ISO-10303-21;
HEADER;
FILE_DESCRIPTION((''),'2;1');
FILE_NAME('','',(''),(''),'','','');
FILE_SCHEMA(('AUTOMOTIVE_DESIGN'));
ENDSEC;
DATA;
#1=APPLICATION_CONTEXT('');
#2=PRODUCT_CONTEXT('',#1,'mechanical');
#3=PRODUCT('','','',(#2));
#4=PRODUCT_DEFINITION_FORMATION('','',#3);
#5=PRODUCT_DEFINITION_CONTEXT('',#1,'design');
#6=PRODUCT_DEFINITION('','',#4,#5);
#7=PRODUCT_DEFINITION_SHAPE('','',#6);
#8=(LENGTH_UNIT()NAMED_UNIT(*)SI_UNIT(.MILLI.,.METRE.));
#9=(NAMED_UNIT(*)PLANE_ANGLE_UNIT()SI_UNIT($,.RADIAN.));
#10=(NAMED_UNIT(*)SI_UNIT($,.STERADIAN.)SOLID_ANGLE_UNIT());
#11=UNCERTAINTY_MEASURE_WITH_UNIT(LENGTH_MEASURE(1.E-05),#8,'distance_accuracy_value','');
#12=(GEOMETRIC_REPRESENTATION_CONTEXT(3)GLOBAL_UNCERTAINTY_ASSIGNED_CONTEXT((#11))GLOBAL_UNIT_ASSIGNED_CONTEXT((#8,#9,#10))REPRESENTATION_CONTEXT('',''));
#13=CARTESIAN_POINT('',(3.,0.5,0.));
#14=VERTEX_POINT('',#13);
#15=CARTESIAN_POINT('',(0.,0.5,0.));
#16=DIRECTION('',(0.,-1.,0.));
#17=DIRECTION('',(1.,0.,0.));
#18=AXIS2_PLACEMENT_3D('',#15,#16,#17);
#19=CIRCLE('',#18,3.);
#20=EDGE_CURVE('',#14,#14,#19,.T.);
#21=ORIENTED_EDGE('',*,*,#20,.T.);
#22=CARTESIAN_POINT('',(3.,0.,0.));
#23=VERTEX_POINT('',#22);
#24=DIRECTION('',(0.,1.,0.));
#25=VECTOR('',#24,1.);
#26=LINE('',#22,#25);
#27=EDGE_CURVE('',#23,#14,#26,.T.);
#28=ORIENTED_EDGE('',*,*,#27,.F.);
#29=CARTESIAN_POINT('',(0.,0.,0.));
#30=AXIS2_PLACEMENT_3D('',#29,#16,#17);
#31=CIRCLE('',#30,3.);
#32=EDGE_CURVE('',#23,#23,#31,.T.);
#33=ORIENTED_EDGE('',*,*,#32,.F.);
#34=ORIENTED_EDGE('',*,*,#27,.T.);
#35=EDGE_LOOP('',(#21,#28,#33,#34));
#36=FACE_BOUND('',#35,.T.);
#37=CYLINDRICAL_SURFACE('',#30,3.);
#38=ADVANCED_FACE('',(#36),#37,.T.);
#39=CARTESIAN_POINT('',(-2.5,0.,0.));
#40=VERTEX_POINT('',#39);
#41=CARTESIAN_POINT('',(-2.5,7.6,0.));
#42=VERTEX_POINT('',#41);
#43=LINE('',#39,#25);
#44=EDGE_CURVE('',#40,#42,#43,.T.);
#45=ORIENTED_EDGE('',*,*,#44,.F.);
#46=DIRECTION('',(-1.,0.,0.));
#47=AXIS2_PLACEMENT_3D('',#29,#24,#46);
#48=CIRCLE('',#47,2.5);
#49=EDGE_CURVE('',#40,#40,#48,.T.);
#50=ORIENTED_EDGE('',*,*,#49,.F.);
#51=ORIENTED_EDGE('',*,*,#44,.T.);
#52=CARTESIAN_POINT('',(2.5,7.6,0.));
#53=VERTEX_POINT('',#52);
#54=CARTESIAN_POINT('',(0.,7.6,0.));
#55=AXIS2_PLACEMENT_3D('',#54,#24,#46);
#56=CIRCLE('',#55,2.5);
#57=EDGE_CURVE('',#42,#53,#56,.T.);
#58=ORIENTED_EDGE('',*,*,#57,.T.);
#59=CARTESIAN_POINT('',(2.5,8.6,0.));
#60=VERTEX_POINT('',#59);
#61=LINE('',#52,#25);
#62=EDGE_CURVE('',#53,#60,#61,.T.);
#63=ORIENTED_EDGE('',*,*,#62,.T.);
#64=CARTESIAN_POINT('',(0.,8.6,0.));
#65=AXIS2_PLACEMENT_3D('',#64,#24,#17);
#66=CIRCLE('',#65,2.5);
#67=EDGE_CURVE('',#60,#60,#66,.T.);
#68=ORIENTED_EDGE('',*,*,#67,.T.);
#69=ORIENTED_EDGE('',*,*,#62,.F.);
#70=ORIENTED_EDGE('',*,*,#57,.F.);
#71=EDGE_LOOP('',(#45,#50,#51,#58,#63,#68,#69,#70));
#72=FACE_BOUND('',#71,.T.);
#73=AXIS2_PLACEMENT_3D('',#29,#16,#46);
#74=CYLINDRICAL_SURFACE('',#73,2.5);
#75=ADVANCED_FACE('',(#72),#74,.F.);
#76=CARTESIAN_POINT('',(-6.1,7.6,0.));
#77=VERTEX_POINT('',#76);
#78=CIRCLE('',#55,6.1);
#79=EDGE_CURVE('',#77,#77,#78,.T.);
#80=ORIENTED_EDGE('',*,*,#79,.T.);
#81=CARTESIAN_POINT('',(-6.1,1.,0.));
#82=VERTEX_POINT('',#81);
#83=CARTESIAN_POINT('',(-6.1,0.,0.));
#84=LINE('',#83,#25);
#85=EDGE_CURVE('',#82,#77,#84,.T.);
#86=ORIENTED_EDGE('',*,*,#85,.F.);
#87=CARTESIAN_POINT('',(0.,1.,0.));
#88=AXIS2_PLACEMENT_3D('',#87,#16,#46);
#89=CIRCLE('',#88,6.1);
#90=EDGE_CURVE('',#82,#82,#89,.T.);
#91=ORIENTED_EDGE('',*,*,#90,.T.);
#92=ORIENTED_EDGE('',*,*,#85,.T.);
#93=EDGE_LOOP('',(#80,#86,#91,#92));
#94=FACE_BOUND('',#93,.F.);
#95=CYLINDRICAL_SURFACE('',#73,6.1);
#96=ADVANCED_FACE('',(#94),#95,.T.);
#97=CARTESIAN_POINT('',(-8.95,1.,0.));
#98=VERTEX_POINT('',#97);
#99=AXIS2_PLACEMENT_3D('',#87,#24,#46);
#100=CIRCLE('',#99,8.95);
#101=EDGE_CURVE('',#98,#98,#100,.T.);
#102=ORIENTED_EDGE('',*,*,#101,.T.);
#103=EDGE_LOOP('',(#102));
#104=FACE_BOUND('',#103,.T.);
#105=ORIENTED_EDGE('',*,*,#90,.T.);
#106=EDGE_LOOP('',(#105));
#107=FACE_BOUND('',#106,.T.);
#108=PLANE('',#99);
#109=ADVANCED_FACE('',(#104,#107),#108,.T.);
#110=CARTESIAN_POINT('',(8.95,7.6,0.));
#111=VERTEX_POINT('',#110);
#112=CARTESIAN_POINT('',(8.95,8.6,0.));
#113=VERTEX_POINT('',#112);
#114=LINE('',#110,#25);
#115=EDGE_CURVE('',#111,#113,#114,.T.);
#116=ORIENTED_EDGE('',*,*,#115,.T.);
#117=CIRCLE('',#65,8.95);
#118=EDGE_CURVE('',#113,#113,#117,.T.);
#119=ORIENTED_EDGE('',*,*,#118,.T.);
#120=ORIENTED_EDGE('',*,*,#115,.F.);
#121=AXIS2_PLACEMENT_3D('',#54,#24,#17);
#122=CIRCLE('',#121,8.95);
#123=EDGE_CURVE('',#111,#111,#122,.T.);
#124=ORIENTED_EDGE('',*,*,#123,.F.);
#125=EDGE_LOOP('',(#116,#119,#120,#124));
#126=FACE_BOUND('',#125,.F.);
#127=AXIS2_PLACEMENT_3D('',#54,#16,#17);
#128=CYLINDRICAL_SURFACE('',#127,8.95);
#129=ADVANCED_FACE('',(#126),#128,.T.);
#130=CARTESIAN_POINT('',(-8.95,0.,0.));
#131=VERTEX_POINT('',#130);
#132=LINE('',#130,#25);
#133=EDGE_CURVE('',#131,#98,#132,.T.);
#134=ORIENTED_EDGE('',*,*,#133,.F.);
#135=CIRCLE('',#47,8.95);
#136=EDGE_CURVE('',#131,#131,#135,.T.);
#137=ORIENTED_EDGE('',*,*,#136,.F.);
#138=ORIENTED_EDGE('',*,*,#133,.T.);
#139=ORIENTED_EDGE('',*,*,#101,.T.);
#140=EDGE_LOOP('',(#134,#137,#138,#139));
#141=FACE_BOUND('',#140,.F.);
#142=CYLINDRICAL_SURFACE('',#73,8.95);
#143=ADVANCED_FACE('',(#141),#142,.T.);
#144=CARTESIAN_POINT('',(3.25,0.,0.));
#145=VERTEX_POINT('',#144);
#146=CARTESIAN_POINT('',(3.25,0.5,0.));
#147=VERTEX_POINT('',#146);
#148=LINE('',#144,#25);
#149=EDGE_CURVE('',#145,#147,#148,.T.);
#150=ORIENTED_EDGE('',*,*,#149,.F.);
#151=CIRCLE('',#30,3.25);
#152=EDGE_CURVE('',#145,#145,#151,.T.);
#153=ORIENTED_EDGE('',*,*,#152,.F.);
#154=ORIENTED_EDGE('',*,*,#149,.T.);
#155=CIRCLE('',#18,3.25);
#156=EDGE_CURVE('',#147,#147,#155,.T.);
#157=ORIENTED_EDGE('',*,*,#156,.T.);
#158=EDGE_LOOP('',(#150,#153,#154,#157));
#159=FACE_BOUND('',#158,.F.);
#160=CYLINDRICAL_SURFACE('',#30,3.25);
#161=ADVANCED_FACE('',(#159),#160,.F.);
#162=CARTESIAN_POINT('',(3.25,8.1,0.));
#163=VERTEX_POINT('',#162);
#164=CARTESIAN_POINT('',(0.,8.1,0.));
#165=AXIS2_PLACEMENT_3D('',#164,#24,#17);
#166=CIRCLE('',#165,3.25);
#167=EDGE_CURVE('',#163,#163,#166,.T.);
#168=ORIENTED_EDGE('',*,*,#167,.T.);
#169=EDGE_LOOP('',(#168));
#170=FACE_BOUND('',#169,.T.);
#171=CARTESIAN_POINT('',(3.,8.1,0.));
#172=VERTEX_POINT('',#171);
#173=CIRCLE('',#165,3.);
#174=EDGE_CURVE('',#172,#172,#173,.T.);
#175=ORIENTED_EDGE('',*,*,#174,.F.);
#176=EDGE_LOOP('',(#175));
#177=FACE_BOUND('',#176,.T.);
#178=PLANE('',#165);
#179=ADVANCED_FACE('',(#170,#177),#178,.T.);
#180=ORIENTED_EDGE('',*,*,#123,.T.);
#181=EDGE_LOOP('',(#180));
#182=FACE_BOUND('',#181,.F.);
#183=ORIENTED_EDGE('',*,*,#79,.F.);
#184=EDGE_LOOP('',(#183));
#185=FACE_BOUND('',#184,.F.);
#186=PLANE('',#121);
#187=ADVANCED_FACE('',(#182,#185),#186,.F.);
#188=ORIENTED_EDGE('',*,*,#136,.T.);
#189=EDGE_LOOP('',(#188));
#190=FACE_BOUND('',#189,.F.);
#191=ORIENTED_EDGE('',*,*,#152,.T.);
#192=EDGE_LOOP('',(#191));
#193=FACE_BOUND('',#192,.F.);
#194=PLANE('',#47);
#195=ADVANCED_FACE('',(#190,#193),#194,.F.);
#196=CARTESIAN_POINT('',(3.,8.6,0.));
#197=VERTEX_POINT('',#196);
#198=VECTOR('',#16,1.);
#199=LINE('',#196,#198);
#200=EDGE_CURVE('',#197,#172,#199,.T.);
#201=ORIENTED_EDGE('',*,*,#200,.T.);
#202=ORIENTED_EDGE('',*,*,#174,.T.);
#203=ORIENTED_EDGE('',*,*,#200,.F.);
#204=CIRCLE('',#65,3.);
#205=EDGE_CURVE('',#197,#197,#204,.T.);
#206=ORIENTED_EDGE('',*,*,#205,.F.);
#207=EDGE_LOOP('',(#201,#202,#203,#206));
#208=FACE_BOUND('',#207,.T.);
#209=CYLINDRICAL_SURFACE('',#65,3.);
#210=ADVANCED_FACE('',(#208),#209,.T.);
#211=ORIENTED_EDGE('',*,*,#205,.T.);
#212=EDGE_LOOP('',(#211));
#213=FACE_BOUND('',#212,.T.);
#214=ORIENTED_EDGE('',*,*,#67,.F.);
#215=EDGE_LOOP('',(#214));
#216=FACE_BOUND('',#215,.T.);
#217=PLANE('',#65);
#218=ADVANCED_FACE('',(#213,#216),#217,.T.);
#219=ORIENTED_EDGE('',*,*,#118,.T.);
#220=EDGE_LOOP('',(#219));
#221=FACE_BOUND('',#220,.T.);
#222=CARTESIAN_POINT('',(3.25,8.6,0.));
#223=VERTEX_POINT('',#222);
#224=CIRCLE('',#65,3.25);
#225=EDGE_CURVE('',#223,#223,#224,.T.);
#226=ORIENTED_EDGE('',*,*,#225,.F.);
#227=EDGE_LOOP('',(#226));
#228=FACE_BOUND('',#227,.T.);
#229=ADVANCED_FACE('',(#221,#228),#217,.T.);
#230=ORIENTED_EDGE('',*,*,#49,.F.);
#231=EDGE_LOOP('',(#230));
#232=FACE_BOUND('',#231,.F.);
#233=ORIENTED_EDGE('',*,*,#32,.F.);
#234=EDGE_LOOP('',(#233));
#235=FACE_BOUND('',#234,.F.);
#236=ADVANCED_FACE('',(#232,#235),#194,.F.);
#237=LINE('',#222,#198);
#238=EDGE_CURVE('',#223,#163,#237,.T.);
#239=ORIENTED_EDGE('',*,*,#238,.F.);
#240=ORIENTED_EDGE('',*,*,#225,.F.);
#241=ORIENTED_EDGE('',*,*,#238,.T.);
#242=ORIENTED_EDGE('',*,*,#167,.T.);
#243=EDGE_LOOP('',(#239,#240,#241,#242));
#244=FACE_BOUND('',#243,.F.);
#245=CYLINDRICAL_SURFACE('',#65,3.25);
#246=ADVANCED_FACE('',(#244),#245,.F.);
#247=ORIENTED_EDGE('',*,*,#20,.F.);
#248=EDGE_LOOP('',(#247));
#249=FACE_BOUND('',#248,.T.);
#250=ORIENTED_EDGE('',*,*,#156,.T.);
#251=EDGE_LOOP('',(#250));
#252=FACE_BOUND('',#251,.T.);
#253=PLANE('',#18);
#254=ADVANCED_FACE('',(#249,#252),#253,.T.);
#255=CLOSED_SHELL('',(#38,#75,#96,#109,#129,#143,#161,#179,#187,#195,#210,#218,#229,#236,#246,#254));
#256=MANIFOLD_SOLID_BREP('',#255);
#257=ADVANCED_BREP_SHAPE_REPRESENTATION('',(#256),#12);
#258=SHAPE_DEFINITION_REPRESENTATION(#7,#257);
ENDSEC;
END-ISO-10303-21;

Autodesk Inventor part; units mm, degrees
ref_plane "YZ Plane" through (0, 0, 0) normal (1, 0, 0) x (0, 1, 0)
ref_plane "XZ Plane" through (0, 0, 0) normal (0, 1, 0) x (-1, 0, 0)
ref_plane "XY Plane" through (0, 0, 0) normal (0, 0, 1) x (1, 0, 0)
sketch "Sketch1" plane through (0, 0, 0) normal (0, 1, 0) x (-1, 0, 0)
  circle A0 centre (0, 0) radius 2.5
  circle A1 centre (0, 0) radius 8.95
  circle A2 centre (0, 0) radius 6.1
  dimension "d0" = 5
  dimension "d1" = 17.9
  dimension "d2" = 12.2
extrude "Extrusion1" add sketch "Sketch1" along normal blind 1 contours A1 | A2
extrude "Extrusion2" add sketch "Sketch1" along normal blind 7.6 contours A2
sketch "Sketch2" plane through (0, 7.6, 0) normal (0, 1, 0) x (1, 0, 0)
  circle A0 centre (0, 0) radius 8.95 projected
  circle A1 centre (0, 0) radius 2.5
extrude "Extrusion3" add sketch "Sketch2" along normal blind 1
sketch "Sketch3" plane through (0, 0, 0) normal (0, -1, 0) x (1, 0, 0)
  circle A0 centre (0, 0) radius 3
  circle A1 centre (0, 0) radius 3.25
  dimension "d9" = 6
  dimension "d10" = 6.5
sketch "Sketch4" plane through (0, 8.6, 0) normal (0, 1, 0) x (1, 0, 0)
  circle A0 centre (0, 0) radius 3
  circle A1 centre (0, 0) radius 3.25
  dimension "d11" = 6
  dimension "d12" = 6.5
extrude "Extrusion4" cut sketch "Sketch4" against normal blind 0.5
extrude "Extrusion5" cut sketch "Sketch3" against normal blind 0.5
properties part number "Wheel"
